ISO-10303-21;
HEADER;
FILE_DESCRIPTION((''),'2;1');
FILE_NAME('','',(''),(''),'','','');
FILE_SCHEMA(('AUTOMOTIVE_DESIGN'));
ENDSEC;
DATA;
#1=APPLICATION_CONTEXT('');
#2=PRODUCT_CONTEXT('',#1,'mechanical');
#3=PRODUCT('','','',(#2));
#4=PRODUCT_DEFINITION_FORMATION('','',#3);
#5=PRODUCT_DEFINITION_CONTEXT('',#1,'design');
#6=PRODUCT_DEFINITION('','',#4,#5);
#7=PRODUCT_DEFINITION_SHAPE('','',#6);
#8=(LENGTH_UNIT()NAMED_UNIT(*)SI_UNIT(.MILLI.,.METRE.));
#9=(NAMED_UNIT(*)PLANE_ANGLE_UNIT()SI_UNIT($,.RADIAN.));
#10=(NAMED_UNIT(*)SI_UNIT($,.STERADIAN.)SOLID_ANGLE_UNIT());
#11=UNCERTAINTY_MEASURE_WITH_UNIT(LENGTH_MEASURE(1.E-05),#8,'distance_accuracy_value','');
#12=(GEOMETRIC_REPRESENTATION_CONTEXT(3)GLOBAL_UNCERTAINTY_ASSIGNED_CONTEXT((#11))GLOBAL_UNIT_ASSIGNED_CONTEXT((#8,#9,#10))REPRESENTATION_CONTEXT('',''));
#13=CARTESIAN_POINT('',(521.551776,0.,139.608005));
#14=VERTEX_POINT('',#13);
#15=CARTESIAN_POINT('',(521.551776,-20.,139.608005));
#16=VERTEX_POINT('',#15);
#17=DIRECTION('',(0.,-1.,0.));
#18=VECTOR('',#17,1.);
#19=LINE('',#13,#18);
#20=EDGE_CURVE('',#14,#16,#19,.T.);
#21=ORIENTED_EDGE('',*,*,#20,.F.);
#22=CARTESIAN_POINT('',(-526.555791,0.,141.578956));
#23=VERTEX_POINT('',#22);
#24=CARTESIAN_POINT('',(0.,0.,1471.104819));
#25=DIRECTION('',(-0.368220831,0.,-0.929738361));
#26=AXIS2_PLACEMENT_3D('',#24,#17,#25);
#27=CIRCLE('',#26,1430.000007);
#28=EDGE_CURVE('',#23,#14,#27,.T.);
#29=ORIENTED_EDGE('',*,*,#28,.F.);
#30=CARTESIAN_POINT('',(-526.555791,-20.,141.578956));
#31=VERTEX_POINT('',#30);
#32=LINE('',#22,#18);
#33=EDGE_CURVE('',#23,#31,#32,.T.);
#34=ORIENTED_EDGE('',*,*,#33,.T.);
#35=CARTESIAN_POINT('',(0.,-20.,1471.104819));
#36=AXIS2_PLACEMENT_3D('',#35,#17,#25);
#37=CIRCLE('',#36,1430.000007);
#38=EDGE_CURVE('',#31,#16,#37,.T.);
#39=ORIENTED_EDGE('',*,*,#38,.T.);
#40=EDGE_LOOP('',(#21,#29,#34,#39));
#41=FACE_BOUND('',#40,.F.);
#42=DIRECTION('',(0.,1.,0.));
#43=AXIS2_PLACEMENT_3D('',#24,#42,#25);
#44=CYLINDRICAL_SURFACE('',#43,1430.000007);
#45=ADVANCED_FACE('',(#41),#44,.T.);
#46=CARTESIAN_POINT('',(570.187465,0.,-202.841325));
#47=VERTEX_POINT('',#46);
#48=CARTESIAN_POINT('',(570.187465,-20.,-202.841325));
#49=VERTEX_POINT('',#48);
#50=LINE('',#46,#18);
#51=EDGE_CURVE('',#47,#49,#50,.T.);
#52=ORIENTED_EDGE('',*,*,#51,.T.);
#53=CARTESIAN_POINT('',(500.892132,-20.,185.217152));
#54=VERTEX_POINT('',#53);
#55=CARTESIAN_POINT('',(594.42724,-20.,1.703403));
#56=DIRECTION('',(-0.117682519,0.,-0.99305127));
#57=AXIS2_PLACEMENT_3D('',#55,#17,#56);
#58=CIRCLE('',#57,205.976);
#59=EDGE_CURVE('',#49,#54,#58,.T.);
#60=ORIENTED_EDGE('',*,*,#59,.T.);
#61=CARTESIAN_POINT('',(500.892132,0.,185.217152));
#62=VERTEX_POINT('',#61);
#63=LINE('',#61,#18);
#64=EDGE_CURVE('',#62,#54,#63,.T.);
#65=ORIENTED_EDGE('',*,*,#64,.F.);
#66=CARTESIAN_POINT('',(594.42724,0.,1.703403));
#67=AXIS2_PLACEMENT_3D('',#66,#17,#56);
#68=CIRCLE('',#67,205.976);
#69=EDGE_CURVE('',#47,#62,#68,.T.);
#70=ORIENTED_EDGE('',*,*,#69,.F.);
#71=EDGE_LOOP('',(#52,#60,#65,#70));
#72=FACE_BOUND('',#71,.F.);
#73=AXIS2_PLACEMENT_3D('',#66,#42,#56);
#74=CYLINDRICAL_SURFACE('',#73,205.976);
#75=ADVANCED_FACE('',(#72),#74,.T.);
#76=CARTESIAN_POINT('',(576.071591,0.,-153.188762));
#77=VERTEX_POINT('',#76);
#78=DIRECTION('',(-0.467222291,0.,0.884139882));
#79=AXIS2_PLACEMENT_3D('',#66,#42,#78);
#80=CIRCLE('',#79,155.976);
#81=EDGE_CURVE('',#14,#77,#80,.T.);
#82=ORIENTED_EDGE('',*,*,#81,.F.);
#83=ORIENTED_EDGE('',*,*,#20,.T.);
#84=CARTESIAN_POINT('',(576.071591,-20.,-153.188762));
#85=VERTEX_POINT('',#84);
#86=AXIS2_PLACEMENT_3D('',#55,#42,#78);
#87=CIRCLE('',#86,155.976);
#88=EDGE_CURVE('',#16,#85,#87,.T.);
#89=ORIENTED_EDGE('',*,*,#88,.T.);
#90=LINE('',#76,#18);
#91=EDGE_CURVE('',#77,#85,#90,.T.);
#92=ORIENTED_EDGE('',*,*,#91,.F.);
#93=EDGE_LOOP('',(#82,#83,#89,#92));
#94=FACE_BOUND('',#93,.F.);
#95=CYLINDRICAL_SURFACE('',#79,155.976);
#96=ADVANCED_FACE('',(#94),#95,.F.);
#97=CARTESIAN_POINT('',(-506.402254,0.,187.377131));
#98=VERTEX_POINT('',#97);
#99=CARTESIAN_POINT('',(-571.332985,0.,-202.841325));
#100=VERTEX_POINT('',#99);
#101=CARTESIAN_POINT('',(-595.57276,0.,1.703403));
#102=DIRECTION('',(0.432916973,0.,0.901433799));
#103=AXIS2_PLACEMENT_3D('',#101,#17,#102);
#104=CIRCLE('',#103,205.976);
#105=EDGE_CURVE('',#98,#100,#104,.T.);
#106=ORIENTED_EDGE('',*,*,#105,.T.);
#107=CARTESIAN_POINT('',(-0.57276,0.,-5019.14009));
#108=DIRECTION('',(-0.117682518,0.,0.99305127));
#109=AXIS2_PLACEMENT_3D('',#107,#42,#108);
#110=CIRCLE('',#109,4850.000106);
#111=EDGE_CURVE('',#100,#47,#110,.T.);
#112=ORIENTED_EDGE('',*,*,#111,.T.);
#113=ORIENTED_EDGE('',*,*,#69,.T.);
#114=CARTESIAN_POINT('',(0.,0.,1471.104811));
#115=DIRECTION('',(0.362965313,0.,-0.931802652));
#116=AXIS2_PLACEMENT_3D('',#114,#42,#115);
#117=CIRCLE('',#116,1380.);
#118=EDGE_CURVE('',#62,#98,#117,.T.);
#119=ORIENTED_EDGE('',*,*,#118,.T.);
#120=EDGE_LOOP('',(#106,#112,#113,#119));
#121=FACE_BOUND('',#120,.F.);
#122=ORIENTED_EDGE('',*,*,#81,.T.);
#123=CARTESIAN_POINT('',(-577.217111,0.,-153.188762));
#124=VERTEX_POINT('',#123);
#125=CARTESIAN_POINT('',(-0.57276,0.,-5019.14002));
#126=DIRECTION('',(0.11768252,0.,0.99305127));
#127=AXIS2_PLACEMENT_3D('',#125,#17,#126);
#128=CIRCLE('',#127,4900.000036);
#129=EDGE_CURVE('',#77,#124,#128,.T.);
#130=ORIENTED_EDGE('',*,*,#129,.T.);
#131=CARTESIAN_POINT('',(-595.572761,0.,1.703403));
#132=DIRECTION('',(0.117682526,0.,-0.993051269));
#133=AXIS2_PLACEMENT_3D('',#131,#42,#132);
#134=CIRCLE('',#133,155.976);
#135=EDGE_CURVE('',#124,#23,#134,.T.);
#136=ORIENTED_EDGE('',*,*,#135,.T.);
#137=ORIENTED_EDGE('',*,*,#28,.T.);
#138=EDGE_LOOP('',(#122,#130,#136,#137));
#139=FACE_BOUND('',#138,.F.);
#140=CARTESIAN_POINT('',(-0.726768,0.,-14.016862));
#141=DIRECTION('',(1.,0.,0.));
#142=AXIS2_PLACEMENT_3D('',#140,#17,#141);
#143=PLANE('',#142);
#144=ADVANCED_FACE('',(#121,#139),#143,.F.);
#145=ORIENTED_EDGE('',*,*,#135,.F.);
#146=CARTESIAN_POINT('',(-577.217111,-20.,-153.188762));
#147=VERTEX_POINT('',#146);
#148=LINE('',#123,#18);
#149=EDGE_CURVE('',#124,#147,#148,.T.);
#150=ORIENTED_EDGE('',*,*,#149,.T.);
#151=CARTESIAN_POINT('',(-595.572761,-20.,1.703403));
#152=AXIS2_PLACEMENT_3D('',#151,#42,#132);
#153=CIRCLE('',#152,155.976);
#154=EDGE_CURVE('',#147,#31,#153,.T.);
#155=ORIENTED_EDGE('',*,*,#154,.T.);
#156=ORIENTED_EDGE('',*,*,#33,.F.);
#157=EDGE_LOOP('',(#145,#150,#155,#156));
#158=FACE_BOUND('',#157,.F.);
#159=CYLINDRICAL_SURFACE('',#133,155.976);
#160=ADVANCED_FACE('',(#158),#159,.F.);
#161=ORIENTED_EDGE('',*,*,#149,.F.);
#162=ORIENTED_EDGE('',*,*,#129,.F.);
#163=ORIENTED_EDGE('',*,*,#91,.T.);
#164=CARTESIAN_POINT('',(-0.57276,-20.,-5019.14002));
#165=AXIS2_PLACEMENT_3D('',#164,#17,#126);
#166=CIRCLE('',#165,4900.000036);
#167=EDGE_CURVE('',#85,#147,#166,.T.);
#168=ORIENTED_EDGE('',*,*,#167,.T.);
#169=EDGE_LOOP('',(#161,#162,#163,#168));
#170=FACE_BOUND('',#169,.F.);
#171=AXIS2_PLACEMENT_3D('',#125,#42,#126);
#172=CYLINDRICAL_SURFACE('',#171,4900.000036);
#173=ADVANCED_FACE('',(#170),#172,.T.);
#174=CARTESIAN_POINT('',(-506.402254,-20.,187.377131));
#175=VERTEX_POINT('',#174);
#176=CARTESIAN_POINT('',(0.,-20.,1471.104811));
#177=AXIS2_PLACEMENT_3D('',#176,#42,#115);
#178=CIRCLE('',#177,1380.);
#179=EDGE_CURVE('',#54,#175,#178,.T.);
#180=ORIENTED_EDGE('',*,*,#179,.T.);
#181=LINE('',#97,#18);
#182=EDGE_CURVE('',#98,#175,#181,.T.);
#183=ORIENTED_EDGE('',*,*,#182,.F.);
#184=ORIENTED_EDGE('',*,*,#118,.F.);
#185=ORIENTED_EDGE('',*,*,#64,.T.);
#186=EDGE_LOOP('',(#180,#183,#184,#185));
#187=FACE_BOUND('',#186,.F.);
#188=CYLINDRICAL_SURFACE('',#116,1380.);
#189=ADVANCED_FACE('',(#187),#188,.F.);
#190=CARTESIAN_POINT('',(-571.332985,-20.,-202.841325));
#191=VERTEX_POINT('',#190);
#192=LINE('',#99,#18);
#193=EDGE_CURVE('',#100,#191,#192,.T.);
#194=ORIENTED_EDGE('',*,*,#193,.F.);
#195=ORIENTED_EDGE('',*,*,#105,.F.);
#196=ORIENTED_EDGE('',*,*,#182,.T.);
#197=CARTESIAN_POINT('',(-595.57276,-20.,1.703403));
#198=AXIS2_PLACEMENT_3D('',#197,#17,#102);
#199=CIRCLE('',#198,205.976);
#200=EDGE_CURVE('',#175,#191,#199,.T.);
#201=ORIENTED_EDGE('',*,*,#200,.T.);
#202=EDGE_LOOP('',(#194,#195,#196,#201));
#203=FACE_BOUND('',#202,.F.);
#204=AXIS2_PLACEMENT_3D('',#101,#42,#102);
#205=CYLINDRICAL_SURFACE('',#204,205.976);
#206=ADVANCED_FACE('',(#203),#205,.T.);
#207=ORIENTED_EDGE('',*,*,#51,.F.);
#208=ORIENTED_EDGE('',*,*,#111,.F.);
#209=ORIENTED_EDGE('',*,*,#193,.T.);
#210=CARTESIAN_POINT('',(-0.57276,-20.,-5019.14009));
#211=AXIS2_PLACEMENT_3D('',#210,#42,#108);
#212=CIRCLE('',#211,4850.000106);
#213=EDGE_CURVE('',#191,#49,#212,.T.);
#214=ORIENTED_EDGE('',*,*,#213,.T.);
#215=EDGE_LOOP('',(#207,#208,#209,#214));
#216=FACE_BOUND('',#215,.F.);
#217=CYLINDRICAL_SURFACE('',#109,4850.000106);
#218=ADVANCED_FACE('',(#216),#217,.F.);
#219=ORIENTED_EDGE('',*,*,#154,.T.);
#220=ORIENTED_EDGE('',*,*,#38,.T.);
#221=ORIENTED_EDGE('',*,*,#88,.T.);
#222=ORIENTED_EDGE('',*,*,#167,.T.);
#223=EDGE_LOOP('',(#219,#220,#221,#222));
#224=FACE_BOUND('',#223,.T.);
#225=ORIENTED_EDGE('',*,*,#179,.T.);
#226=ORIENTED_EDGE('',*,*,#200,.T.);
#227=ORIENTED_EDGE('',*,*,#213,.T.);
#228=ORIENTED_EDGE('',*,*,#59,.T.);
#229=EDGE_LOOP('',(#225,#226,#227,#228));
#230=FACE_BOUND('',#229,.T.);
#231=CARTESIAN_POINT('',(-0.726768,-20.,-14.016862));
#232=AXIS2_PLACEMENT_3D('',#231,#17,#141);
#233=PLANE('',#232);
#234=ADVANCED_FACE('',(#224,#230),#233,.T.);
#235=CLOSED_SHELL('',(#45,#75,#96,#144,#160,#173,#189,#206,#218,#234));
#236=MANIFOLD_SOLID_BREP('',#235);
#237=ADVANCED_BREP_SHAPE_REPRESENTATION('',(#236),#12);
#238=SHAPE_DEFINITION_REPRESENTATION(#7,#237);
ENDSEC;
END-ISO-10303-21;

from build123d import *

# Parameters (mm, degrees)
F1_DEPTH = 20


with BuildPart() as f1:
    # F0 (on Front) → F1 (new body)
    with BuildSketch(Plane.XZ):
        with BuildLine():
            ThreePointArc((500.892132, 185.217152), (-2.959179, 91.107984), (-506.402254, 187.377131))
            ThreePointArc((-506.402254, 187.377131), (-798.755151, 35.512109), (-571.332985, -202.841325))
            ThreePointArc((-571.332985, -202.841325), (-0.57276, -169.139984), (570.187465, -202.841325))
            ThreePointArc((570.187465, -202.841325), (797.195768, 37.911638), (500.892132, 185.217152))
        make_face()
        with BuildLine():
            ThreePointArc((-577.217111, -153.188762), (-749.294898, 28.123415), (-526.555791, 141.578956))
            ThreePointArc((-526.555791, 141.578956), (-2.68909, 41.10734), (521.551776, 139.608005))
            ThreePointArc((521.551776, 139.608005), (747.767599, 30.255931), (576.071591, -153.188762))
            ThreePointArc((576.071591, -153.188762), (-0.57276, -119.139984), (-577.217111, -153.188762))
        make_face(mode=Mode.SUBTRACT)
    extrude(amount=F1_DEPTH)


solid = f1.part
